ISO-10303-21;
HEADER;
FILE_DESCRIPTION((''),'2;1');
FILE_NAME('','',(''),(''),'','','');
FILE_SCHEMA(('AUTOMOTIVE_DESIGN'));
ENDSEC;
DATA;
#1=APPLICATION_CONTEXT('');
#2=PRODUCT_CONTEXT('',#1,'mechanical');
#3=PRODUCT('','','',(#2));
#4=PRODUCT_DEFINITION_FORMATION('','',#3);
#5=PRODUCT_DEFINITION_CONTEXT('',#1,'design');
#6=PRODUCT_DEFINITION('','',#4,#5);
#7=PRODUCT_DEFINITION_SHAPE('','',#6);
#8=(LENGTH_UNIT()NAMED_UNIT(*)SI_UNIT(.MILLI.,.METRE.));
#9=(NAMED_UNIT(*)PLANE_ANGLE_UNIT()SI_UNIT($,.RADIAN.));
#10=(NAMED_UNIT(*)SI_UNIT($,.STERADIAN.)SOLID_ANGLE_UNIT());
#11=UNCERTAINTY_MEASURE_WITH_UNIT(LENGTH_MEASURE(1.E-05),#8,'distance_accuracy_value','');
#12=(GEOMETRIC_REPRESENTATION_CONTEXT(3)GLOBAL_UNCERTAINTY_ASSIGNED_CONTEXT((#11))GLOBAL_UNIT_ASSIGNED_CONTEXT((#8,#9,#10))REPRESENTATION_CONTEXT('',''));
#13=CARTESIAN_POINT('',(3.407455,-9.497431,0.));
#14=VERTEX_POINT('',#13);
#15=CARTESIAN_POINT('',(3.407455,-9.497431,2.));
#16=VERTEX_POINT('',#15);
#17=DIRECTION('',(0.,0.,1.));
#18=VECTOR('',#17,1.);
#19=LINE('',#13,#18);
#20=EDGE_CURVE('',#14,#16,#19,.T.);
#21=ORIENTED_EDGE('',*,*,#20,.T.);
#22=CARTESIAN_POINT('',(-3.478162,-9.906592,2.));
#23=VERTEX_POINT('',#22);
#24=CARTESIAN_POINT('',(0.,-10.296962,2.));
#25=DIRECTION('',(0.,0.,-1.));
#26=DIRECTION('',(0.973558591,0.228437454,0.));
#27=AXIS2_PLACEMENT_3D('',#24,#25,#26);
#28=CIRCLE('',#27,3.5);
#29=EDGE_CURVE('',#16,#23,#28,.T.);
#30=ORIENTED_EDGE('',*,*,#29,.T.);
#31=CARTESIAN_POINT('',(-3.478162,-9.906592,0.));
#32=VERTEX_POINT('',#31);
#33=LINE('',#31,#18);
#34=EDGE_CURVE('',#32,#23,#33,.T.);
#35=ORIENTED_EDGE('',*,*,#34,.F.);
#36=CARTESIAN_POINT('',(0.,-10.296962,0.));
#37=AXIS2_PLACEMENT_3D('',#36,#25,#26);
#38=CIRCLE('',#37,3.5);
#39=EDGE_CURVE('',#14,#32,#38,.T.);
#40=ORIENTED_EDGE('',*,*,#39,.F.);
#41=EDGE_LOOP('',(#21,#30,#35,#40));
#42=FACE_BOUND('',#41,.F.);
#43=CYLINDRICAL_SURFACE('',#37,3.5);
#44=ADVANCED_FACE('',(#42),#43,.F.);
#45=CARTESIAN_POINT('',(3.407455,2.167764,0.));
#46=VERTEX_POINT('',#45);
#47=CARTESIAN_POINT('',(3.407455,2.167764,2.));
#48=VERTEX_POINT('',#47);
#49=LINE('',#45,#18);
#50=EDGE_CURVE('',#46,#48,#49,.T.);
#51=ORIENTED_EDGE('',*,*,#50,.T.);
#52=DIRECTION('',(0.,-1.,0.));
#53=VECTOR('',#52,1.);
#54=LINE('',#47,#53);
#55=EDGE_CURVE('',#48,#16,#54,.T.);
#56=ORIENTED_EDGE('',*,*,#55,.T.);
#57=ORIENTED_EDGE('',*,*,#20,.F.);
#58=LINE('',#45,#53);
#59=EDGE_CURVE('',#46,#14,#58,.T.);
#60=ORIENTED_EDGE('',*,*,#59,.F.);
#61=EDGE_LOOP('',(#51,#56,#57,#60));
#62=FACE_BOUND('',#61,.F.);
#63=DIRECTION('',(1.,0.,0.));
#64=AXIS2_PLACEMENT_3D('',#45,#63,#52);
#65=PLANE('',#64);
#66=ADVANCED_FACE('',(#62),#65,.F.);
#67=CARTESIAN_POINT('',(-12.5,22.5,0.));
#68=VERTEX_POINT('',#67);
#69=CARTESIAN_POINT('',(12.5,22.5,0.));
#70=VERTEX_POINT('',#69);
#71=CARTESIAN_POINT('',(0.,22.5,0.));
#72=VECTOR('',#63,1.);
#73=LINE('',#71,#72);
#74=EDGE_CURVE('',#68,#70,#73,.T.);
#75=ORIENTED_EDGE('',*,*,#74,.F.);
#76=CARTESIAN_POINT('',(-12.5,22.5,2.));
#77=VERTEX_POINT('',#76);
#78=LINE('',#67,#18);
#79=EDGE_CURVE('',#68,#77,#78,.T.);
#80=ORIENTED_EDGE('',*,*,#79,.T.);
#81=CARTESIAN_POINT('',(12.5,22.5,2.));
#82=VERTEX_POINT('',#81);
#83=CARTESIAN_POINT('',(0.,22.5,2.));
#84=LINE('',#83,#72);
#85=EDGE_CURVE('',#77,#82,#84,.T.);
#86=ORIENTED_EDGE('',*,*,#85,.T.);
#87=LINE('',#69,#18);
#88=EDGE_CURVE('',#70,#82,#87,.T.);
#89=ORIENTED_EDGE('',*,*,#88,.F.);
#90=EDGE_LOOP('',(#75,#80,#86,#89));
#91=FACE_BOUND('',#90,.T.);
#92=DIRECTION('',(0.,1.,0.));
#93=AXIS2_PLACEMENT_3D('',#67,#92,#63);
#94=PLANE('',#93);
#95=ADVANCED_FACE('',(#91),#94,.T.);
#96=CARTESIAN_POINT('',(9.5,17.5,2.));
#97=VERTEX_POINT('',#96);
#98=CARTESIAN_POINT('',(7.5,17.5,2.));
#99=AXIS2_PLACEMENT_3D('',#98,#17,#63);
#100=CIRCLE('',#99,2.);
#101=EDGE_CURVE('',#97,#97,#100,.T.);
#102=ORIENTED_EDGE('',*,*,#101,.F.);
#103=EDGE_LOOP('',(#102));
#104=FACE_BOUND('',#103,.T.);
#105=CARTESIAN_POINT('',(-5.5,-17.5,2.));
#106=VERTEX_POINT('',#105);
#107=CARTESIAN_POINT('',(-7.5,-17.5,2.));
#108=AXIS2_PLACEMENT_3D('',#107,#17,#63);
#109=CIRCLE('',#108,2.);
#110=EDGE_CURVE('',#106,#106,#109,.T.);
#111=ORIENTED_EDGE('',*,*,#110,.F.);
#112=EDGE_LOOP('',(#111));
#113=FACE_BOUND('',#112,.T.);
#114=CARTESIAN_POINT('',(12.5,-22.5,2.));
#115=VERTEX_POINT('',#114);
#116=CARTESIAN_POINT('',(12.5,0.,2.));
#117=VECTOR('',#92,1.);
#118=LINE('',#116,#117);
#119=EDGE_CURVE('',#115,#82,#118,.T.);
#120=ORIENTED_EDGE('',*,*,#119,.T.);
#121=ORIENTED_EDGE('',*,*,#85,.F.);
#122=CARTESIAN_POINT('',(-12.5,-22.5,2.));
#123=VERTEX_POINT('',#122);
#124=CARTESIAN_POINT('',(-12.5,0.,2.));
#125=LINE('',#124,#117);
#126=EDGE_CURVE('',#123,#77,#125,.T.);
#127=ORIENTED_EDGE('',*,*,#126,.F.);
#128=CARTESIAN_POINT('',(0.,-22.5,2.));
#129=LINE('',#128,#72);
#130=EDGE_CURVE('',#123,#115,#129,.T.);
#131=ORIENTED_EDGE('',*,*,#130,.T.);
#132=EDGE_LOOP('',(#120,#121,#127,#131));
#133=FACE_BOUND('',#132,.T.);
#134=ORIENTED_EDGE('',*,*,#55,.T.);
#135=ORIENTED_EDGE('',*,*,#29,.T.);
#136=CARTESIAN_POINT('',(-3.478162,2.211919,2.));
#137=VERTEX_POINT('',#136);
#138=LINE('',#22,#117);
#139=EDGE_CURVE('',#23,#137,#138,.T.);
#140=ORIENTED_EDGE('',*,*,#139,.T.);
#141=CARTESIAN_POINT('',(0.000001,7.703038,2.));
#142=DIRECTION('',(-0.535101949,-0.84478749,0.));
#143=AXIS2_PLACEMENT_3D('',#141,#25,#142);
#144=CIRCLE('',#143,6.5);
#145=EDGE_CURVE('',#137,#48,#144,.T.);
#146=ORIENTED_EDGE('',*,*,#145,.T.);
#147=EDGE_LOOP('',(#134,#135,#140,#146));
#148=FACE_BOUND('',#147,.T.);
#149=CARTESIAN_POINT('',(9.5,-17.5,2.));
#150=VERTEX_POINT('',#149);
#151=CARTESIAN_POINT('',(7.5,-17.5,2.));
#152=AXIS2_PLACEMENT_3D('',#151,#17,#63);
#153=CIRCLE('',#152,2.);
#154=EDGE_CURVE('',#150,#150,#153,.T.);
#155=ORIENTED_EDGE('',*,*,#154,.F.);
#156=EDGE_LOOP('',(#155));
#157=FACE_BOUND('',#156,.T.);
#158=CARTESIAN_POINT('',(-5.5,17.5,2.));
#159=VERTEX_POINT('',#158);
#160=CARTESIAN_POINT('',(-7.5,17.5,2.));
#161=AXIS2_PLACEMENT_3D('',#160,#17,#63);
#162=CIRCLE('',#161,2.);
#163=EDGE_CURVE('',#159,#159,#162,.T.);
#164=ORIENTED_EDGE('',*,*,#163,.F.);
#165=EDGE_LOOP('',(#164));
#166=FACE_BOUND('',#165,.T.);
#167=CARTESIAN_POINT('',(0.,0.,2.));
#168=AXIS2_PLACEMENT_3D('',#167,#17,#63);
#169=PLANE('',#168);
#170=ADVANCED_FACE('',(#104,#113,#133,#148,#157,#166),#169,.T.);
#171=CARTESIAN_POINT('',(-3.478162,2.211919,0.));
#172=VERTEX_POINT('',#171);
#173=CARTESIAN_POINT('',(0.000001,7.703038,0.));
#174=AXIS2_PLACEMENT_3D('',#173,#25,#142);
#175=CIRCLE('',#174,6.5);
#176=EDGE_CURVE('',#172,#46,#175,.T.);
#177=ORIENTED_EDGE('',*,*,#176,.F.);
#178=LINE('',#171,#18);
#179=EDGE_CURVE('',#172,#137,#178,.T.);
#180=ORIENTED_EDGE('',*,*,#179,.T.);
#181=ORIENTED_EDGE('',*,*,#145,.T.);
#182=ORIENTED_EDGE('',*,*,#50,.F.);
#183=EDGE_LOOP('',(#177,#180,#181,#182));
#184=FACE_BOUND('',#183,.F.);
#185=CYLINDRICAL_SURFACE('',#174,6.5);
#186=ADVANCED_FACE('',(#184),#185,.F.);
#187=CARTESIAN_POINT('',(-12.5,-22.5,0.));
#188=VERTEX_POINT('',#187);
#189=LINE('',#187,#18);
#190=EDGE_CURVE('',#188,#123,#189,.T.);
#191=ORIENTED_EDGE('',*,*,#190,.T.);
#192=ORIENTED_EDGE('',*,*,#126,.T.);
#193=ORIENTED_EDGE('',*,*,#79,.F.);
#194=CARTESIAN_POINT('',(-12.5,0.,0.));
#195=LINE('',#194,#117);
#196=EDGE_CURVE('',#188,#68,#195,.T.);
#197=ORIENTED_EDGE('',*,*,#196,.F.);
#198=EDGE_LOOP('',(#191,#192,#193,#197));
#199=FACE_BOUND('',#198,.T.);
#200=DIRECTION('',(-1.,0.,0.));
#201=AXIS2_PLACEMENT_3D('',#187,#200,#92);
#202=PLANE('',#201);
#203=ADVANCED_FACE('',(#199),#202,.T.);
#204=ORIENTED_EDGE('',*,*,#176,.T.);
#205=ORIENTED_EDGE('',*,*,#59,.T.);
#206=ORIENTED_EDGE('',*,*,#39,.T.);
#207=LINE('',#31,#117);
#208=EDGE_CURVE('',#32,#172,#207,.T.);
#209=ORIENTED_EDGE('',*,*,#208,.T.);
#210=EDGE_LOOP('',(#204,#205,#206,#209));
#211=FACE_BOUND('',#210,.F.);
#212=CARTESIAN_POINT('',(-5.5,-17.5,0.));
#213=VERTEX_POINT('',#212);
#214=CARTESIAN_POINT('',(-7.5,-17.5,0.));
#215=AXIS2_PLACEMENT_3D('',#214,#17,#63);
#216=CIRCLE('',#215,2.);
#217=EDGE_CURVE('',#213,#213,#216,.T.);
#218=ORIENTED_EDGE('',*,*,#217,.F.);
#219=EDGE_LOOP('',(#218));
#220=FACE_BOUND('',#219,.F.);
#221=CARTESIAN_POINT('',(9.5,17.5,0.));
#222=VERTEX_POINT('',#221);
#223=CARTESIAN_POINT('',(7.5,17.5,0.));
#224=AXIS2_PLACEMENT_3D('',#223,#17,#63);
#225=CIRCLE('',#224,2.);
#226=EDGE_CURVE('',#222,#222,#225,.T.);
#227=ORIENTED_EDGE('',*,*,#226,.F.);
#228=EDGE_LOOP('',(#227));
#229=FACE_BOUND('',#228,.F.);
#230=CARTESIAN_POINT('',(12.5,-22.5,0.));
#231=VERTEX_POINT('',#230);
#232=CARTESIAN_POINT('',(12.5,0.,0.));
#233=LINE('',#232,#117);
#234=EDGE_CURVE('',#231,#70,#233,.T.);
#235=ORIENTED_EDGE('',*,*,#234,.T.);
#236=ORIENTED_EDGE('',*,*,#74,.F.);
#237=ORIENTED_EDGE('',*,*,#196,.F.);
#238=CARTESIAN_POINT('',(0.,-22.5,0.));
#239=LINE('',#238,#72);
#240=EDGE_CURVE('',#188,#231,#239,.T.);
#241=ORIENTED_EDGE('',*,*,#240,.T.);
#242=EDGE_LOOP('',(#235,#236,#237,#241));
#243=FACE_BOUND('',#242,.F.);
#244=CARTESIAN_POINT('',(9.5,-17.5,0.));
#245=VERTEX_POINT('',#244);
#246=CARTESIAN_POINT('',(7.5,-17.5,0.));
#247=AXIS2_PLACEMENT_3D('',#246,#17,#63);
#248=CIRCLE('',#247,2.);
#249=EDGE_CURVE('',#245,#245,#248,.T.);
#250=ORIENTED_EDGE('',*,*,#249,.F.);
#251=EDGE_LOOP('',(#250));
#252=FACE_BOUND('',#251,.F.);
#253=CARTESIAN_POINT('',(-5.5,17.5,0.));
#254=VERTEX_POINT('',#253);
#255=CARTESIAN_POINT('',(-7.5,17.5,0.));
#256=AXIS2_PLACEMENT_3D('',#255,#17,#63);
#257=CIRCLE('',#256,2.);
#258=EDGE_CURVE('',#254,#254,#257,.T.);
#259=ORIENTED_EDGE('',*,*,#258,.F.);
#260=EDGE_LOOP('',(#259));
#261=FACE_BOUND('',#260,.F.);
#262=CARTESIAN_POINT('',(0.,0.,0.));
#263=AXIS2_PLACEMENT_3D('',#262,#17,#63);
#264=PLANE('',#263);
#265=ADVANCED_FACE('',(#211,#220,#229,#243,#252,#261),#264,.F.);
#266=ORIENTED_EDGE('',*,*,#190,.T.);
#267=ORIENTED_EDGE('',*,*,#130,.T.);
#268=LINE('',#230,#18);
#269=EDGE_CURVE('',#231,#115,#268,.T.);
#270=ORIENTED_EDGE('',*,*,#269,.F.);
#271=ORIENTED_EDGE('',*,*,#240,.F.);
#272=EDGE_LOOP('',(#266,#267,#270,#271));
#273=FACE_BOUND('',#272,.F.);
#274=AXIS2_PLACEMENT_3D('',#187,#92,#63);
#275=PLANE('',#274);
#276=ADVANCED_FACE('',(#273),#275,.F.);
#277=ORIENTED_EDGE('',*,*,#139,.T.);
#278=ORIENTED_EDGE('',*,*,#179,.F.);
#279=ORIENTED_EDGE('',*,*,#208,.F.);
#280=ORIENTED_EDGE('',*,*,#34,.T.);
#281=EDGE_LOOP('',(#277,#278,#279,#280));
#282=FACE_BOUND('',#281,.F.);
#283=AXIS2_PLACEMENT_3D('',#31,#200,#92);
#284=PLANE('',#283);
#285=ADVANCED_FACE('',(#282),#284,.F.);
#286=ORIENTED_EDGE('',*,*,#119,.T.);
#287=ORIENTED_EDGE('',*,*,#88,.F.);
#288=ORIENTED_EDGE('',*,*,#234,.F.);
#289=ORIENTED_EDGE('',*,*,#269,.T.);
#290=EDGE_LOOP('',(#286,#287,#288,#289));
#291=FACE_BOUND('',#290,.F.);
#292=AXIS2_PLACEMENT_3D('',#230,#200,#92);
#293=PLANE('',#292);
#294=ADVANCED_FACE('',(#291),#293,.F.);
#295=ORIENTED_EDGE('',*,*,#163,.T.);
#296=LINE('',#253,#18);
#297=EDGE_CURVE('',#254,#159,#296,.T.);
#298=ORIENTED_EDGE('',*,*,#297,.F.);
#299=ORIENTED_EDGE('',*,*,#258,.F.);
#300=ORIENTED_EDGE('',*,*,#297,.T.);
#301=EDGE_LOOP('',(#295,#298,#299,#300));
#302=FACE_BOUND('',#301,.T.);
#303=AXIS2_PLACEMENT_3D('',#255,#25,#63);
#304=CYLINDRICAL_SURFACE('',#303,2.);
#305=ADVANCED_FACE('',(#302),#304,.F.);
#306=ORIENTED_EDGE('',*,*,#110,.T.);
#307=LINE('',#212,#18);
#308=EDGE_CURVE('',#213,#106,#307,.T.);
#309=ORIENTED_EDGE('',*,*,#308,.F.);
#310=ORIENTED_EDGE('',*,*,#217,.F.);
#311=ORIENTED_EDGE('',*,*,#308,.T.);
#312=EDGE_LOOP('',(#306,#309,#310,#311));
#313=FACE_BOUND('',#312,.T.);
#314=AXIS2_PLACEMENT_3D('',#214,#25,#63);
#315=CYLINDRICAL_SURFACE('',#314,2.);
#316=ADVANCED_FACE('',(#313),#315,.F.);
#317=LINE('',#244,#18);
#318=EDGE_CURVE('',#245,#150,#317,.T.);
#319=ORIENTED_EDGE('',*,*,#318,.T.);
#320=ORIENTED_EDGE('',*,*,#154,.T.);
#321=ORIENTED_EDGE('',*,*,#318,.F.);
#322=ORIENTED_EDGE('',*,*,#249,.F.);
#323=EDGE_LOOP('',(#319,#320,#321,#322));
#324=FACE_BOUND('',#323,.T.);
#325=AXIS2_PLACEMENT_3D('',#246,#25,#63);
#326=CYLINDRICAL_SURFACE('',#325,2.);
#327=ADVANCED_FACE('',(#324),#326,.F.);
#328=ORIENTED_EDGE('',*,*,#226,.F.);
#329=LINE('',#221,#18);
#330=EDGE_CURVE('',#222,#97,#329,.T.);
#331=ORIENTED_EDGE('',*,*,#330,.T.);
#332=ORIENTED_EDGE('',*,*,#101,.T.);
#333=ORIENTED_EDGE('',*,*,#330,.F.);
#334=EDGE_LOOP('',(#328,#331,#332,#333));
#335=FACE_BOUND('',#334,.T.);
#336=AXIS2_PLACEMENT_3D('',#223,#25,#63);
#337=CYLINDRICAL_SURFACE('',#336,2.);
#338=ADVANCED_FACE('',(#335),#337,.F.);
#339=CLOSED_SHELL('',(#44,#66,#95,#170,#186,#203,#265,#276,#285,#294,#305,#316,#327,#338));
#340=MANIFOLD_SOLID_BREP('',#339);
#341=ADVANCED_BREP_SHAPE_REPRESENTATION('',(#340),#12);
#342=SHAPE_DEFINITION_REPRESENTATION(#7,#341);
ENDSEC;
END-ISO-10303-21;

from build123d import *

# Parameters (mm, degrees)
F0_W     = 25
F0_H     = 45
F0_R     = 2
F1_DEPTH = 2


with BuildPart() as f1:
    # F0 (on Top) → F1 (new body)
    with BuildSketch(Plane.XY):
        Rectangle(F0_W, F0_H)
        with Locations((-7.5, -17.5)):
            Circle(F0_R, mode=Mode.SUBTRACT)
        with Locations((7.5, -17.5)):
            Circle(F0_R, mode=Mode.SUBTRACT)
        with Locations((-7.5, 17.5)):
            Circle(F0_R, mode=Mode.SUBTRACT)
        with BuildLine():
            ThreePointArc((-3.478162, 2.211919), (0.041681, 14.202904), (3.407455, 2.167764))
            Line((3.407455, 2.167764), (3.407455, -9.497431))
            ThreePointArc((3.407455, -9.497431), (0.207613, -13.790799), (-3.478162, -9.906592))
            Line((-3.478162, -9.906592), (-3.478162, 2.211919))
        make_face(mode=Mode.SUBTRACT)
        with Locations((7.5, 17.5)):
            Circle(F0_R, mode=Mode.SUBTRACT)
    extrude(amount=F1_DEPTH)


solid = f1.part
